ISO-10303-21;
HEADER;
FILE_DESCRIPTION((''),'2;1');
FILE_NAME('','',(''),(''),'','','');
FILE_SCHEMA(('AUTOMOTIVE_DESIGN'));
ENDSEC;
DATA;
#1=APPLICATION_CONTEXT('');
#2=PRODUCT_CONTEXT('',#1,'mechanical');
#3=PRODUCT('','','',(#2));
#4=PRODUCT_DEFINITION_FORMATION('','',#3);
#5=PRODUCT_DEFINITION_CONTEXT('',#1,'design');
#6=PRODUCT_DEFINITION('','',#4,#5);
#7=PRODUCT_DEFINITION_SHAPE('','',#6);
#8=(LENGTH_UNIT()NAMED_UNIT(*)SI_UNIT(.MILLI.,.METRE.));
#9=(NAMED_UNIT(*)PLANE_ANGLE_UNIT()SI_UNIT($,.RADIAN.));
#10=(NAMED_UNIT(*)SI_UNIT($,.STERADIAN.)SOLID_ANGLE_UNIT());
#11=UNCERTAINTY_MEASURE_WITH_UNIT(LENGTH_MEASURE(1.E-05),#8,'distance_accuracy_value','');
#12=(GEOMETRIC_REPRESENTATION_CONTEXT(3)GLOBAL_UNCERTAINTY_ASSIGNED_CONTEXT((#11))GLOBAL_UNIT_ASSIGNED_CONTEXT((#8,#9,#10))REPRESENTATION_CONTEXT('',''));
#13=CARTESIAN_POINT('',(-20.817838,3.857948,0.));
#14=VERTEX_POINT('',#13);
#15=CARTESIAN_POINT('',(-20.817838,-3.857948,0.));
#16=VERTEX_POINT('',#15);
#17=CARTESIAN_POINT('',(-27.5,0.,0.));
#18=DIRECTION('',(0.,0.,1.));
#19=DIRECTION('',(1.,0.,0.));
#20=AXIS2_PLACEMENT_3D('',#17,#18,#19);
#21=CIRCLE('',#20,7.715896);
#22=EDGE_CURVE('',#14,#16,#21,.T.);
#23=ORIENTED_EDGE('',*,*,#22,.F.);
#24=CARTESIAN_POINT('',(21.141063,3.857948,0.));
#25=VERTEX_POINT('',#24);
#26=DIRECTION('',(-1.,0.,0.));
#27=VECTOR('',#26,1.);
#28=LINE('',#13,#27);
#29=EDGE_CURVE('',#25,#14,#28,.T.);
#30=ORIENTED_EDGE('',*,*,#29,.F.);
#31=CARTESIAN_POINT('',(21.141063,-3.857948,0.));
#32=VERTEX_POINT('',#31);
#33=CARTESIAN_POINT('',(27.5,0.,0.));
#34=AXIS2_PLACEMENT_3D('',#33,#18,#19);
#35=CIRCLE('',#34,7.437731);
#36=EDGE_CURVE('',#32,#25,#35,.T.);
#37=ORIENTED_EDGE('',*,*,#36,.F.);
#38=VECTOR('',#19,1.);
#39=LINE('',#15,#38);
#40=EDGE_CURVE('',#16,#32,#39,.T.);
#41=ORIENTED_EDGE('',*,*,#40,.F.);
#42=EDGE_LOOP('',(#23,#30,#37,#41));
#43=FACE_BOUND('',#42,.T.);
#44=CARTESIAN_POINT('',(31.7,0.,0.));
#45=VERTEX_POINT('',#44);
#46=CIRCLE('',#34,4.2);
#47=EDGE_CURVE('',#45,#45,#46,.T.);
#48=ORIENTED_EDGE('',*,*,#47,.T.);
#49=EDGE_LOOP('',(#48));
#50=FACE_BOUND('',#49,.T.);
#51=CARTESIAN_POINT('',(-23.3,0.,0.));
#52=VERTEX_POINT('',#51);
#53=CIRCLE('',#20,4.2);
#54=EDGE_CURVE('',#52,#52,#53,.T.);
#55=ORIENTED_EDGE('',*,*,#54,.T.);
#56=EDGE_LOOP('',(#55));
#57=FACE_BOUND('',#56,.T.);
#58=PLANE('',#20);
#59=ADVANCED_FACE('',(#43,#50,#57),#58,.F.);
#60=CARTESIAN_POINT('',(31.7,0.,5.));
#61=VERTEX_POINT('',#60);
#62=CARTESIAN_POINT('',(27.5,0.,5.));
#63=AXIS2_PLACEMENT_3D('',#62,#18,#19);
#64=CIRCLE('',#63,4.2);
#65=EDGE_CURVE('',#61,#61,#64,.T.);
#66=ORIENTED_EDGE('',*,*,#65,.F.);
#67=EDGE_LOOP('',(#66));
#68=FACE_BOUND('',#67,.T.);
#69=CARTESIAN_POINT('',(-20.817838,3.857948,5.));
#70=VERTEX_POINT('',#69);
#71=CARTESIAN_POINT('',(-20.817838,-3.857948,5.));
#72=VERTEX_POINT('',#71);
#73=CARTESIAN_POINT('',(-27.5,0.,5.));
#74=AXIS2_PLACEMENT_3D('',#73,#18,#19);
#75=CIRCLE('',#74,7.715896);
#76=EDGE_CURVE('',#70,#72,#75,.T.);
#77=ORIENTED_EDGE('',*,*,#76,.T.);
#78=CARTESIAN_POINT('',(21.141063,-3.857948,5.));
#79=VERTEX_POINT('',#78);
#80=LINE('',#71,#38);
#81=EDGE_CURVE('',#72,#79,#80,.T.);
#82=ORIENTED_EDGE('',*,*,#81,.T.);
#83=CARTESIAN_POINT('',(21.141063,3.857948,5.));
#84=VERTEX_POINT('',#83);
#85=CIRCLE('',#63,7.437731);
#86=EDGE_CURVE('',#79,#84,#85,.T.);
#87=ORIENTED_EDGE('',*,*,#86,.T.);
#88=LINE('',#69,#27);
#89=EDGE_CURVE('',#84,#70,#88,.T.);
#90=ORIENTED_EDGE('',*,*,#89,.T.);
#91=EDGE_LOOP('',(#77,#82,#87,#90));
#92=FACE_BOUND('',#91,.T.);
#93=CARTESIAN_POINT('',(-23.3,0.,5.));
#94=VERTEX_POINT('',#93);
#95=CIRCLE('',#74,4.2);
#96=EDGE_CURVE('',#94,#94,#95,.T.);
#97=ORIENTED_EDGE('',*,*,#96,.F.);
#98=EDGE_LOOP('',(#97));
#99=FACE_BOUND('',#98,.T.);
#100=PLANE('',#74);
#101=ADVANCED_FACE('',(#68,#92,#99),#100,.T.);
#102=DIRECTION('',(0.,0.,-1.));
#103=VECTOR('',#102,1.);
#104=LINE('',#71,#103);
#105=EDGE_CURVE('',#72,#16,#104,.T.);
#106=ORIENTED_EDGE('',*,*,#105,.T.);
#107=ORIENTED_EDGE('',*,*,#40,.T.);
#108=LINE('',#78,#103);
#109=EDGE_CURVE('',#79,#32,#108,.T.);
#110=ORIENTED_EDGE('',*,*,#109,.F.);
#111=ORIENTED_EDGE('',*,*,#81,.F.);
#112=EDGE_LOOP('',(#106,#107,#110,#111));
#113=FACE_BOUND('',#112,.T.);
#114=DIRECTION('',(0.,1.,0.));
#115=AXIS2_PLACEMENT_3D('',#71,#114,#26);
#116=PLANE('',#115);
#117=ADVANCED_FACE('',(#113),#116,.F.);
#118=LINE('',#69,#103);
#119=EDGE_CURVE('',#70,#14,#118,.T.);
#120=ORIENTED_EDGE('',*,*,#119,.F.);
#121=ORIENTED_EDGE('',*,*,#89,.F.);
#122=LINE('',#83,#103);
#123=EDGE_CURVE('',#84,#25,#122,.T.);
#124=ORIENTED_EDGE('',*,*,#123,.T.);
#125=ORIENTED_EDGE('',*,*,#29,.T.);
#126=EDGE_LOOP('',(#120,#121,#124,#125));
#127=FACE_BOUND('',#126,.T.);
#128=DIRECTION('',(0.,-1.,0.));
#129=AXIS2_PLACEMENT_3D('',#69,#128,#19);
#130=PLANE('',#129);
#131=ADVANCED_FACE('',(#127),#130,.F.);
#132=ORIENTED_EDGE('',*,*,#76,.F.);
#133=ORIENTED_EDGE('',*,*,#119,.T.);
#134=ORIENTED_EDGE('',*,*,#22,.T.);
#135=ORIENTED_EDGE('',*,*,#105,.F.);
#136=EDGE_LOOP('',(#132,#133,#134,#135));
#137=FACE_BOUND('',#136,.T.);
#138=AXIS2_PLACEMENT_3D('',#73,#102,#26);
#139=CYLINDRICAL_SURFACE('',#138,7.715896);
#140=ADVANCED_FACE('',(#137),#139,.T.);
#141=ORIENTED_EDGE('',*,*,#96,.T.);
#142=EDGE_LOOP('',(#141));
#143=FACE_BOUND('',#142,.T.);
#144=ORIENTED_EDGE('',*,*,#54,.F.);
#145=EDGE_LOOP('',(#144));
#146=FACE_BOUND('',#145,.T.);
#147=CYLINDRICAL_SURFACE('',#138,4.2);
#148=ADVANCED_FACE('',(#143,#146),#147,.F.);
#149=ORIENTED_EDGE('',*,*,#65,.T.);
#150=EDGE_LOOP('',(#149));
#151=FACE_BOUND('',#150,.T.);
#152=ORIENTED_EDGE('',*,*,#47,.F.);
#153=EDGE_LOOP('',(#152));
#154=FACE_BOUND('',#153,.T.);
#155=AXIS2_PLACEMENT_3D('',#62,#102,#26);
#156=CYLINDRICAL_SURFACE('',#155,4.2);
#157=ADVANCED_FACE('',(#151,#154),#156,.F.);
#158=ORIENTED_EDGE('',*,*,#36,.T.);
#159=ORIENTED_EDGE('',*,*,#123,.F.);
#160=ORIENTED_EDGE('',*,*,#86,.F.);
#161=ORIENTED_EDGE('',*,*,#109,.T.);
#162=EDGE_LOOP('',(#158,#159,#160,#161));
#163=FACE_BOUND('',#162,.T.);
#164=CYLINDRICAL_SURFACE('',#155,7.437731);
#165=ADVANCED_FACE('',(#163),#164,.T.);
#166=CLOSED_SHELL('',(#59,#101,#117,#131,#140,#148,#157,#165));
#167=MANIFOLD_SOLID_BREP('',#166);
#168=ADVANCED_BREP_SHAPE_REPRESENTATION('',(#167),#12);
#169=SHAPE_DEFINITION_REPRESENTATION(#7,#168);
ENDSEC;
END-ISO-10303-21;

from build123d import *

# Parameters (mm, degrees)
SKETCH1_R           = 4.2
BOSS_EXTRUDE1_DEPTH = 5


with BuildPart() as part:
    # Sketch1 → Boss-Extrude1 (new body)
    with BuildSketch(Plane.XY):
        with BuildLine():
            Line((-20.817837651, 3.857948231), (21.141062747, 3.857948231))
            ThreePointArc((21.141062747, 3.857948231), (34.937731343, 0), (21.141062747, -3.857948231))
            Line((21.141062747, -3.857948231), (-20.817837651, -3.857948231))
            ThreePointArc((-20.817837651, -3.857948231), (-35.215896462, 0), (-20.817837651, 3.857948231))
        make_face()
        with Locations((-27.5, 0)):
            Circle(SKETCH1_R, mode=Mode.SUBTRACT)
        with Locations((27.5, 0)):
            Circle(SKETCH1_R, mode=Mode.SUBTRACT)
    extrude(amount=BOSS_EXTRUDE1_DEPTH)


solid = part.part
